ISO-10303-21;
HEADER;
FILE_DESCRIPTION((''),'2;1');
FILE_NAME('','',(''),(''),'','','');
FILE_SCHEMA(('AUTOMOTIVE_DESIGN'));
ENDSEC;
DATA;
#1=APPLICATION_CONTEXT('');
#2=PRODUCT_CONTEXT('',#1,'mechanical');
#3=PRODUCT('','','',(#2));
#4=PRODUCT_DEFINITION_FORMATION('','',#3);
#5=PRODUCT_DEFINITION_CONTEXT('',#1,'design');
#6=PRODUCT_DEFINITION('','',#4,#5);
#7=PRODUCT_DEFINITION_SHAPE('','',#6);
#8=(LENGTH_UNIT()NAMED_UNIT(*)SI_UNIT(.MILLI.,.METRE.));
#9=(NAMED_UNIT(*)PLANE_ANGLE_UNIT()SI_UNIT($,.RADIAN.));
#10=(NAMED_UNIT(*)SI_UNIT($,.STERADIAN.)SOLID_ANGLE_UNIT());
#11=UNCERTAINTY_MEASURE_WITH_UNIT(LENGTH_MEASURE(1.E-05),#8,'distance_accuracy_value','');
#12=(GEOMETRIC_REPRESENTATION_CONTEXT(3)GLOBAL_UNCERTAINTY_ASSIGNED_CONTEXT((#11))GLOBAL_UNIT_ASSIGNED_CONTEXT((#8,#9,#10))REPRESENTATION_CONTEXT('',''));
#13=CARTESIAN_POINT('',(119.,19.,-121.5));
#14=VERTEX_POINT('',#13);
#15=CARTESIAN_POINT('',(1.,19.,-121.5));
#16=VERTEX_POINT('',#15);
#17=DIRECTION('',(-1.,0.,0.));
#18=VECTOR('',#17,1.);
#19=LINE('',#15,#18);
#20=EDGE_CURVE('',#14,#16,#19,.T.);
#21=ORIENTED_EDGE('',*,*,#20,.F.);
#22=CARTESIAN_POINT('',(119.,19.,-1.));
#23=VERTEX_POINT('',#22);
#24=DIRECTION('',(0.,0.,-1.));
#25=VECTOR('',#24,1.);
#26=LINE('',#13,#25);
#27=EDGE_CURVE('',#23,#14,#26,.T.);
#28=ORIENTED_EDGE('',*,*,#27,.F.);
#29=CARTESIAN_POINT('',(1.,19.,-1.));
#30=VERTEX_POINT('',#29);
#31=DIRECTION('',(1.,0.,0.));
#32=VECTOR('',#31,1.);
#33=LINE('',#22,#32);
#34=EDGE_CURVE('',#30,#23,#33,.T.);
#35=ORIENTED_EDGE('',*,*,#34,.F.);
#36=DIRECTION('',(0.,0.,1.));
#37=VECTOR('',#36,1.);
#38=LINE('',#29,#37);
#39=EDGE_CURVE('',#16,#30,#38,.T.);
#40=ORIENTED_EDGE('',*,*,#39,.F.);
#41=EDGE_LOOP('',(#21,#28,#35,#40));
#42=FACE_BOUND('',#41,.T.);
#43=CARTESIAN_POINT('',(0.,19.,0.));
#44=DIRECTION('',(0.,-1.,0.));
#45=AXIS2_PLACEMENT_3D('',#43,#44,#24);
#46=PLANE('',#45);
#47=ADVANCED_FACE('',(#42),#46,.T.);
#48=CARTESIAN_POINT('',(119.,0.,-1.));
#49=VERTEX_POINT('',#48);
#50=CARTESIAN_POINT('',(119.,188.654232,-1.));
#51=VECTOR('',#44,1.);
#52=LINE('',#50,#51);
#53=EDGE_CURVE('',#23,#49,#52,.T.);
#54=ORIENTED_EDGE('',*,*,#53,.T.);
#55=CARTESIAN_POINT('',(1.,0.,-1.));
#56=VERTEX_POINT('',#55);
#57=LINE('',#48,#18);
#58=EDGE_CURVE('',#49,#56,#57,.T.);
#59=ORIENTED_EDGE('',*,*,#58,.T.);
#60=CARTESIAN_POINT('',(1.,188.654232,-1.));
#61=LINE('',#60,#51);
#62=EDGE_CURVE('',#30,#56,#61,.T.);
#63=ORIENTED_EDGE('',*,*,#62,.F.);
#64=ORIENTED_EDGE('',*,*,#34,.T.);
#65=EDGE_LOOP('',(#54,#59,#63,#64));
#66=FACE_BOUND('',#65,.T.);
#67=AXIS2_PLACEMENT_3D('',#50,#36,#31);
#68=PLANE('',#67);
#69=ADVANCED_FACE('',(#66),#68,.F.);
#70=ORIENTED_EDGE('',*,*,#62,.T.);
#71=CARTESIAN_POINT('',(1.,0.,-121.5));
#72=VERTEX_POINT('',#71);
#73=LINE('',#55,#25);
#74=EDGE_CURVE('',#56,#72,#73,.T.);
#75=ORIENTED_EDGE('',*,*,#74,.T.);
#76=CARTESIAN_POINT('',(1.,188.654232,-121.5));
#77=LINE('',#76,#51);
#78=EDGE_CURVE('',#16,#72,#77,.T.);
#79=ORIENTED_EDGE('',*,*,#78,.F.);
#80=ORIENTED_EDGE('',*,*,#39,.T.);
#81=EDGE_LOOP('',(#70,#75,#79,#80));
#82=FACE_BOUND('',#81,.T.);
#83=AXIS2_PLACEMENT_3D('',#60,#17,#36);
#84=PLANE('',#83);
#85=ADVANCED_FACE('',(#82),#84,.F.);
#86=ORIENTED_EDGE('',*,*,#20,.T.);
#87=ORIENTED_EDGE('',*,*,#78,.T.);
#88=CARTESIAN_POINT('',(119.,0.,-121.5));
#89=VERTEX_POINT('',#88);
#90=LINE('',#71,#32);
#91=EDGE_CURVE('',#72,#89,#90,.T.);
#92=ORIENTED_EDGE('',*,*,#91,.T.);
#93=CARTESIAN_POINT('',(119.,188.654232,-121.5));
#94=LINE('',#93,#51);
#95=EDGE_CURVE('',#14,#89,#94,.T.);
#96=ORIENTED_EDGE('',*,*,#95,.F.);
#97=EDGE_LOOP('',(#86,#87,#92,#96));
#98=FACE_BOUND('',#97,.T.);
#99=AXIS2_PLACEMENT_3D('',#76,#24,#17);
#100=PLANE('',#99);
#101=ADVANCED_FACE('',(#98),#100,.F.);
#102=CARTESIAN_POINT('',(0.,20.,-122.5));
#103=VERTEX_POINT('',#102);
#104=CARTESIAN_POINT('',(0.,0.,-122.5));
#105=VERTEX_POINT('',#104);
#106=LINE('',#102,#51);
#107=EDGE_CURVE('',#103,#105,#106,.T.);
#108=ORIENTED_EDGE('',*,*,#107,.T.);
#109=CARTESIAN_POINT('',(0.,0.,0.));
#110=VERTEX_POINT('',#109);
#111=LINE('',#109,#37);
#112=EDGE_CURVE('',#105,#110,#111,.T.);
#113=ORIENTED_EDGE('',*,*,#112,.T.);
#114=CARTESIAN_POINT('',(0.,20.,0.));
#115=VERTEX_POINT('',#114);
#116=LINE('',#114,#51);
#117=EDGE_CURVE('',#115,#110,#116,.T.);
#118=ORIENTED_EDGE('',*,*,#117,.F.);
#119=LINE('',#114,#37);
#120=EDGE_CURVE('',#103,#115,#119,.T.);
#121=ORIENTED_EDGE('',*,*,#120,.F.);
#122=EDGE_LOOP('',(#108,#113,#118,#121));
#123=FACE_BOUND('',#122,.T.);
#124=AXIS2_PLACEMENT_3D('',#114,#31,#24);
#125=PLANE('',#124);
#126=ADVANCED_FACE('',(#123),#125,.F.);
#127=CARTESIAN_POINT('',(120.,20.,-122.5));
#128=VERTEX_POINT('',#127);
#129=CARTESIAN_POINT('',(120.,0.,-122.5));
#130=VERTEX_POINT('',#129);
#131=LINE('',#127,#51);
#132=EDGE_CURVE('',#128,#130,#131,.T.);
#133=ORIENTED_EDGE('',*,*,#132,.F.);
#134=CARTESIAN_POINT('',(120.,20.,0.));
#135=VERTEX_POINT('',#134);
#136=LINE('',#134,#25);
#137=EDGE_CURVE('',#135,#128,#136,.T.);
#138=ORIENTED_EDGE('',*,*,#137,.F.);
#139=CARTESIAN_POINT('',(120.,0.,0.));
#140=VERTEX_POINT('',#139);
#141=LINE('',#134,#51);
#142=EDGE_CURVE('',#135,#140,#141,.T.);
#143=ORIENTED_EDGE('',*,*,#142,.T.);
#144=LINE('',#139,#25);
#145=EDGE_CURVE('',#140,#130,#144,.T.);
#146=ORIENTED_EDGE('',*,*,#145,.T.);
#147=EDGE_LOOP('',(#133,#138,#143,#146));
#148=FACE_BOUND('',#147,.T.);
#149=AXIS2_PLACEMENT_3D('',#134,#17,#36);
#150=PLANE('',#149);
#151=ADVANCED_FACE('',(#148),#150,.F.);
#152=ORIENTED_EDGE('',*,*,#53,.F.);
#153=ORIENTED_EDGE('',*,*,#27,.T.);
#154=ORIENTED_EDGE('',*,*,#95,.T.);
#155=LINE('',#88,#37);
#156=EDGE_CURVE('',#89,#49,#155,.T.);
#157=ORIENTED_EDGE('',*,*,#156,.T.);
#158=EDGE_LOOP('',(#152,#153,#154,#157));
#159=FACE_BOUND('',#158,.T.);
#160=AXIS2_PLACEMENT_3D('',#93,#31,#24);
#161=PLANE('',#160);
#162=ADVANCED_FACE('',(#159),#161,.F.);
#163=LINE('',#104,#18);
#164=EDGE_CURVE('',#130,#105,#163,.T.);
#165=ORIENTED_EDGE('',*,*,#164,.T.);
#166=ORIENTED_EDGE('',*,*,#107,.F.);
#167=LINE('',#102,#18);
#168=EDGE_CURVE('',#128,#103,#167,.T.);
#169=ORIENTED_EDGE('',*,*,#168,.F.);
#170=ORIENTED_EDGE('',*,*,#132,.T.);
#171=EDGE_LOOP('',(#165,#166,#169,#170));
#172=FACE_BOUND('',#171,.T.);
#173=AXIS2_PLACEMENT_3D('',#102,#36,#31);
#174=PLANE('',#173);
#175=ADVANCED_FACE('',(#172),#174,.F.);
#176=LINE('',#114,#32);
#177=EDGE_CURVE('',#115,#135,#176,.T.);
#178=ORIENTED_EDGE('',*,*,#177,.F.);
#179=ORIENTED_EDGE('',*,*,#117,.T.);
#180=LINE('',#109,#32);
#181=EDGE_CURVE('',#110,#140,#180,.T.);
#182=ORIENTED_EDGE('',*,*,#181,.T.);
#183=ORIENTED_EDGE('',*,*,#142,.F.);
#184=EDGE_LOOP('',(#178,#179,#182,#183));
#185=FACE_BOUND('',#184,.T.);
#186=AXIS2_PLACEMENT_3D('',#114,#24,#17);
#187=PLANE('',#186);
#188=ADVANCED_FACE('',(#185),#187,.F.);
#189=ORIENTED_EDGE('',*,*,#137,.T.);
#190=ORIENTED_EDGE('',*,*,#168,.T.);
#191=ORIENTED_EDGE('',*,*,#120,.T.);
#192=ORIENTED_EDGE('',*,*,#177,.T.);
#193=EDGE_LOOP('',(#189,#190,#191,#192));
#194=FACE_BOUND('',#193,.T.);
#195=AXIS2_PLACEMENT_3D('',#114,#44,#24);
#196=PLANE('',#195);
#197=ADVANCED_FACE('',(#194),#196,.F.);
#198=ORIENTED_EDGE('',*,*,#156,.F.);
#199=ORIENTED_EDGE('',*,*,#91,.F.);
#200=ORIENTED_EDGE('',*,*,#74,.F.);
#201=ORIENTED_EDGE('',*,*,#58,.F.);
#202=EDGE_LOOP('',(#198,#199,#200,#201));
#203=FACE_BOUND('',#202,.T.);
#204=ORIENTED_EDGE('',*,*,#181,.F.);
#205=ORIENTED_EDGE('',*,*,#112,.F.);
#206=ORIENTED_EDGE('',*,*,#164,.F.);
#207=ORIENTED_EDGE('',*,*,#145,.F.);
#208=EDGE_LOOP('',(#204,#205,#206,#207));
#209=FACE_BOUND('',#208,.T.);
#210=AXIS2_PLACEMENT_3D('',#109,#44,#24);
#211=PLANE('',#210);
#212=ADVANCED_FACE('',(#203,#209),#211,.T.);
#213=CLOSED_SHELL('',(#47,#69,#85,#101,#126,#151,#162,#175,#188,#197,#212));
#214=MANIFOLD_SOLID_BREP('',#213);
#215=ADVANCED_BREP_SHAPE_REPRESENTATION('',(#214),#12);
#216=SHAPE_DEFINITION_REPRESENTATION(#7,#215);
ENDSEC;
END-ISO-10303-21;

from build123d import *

# Parameters (mm, degrees)
SKETCH_1_W          = 120
SKETCH_1_H          = 122.5
EXTRUDE_1_DEPTH     = 20
SKETCH_2_W          = 118
SKETCH_2_H          = 120.5
CUT_EXTRUDE_1_DEPTH = 19


with BuildPart() as part:
    # 草图1 → 凸台-拉伸1 (new body)
    with BuildSketch(Plane(origin=(0, 0, 0), x_dir=(1, 0, 0), z_dir=(0, 1, 0))):
        with Locations((60, 61.25)):
            Rectangle(SKETCH_1_W, SKETCH_1_H)
    extrude(amount=EXTRUDE_1_DEPTH)

    # 草图2 → 切除-拉伸1 (cut)
    with BuildSketch(Plane.XZ):
        with Locations((60, -61.25)):
            Rectangle(SKETCH_2_W, SKETCH_2_H)
    extrude(amount=-CUT_EXTRUDE_1_DEPTH, mode=Mode.SUBTRACT)


solid = part.part
